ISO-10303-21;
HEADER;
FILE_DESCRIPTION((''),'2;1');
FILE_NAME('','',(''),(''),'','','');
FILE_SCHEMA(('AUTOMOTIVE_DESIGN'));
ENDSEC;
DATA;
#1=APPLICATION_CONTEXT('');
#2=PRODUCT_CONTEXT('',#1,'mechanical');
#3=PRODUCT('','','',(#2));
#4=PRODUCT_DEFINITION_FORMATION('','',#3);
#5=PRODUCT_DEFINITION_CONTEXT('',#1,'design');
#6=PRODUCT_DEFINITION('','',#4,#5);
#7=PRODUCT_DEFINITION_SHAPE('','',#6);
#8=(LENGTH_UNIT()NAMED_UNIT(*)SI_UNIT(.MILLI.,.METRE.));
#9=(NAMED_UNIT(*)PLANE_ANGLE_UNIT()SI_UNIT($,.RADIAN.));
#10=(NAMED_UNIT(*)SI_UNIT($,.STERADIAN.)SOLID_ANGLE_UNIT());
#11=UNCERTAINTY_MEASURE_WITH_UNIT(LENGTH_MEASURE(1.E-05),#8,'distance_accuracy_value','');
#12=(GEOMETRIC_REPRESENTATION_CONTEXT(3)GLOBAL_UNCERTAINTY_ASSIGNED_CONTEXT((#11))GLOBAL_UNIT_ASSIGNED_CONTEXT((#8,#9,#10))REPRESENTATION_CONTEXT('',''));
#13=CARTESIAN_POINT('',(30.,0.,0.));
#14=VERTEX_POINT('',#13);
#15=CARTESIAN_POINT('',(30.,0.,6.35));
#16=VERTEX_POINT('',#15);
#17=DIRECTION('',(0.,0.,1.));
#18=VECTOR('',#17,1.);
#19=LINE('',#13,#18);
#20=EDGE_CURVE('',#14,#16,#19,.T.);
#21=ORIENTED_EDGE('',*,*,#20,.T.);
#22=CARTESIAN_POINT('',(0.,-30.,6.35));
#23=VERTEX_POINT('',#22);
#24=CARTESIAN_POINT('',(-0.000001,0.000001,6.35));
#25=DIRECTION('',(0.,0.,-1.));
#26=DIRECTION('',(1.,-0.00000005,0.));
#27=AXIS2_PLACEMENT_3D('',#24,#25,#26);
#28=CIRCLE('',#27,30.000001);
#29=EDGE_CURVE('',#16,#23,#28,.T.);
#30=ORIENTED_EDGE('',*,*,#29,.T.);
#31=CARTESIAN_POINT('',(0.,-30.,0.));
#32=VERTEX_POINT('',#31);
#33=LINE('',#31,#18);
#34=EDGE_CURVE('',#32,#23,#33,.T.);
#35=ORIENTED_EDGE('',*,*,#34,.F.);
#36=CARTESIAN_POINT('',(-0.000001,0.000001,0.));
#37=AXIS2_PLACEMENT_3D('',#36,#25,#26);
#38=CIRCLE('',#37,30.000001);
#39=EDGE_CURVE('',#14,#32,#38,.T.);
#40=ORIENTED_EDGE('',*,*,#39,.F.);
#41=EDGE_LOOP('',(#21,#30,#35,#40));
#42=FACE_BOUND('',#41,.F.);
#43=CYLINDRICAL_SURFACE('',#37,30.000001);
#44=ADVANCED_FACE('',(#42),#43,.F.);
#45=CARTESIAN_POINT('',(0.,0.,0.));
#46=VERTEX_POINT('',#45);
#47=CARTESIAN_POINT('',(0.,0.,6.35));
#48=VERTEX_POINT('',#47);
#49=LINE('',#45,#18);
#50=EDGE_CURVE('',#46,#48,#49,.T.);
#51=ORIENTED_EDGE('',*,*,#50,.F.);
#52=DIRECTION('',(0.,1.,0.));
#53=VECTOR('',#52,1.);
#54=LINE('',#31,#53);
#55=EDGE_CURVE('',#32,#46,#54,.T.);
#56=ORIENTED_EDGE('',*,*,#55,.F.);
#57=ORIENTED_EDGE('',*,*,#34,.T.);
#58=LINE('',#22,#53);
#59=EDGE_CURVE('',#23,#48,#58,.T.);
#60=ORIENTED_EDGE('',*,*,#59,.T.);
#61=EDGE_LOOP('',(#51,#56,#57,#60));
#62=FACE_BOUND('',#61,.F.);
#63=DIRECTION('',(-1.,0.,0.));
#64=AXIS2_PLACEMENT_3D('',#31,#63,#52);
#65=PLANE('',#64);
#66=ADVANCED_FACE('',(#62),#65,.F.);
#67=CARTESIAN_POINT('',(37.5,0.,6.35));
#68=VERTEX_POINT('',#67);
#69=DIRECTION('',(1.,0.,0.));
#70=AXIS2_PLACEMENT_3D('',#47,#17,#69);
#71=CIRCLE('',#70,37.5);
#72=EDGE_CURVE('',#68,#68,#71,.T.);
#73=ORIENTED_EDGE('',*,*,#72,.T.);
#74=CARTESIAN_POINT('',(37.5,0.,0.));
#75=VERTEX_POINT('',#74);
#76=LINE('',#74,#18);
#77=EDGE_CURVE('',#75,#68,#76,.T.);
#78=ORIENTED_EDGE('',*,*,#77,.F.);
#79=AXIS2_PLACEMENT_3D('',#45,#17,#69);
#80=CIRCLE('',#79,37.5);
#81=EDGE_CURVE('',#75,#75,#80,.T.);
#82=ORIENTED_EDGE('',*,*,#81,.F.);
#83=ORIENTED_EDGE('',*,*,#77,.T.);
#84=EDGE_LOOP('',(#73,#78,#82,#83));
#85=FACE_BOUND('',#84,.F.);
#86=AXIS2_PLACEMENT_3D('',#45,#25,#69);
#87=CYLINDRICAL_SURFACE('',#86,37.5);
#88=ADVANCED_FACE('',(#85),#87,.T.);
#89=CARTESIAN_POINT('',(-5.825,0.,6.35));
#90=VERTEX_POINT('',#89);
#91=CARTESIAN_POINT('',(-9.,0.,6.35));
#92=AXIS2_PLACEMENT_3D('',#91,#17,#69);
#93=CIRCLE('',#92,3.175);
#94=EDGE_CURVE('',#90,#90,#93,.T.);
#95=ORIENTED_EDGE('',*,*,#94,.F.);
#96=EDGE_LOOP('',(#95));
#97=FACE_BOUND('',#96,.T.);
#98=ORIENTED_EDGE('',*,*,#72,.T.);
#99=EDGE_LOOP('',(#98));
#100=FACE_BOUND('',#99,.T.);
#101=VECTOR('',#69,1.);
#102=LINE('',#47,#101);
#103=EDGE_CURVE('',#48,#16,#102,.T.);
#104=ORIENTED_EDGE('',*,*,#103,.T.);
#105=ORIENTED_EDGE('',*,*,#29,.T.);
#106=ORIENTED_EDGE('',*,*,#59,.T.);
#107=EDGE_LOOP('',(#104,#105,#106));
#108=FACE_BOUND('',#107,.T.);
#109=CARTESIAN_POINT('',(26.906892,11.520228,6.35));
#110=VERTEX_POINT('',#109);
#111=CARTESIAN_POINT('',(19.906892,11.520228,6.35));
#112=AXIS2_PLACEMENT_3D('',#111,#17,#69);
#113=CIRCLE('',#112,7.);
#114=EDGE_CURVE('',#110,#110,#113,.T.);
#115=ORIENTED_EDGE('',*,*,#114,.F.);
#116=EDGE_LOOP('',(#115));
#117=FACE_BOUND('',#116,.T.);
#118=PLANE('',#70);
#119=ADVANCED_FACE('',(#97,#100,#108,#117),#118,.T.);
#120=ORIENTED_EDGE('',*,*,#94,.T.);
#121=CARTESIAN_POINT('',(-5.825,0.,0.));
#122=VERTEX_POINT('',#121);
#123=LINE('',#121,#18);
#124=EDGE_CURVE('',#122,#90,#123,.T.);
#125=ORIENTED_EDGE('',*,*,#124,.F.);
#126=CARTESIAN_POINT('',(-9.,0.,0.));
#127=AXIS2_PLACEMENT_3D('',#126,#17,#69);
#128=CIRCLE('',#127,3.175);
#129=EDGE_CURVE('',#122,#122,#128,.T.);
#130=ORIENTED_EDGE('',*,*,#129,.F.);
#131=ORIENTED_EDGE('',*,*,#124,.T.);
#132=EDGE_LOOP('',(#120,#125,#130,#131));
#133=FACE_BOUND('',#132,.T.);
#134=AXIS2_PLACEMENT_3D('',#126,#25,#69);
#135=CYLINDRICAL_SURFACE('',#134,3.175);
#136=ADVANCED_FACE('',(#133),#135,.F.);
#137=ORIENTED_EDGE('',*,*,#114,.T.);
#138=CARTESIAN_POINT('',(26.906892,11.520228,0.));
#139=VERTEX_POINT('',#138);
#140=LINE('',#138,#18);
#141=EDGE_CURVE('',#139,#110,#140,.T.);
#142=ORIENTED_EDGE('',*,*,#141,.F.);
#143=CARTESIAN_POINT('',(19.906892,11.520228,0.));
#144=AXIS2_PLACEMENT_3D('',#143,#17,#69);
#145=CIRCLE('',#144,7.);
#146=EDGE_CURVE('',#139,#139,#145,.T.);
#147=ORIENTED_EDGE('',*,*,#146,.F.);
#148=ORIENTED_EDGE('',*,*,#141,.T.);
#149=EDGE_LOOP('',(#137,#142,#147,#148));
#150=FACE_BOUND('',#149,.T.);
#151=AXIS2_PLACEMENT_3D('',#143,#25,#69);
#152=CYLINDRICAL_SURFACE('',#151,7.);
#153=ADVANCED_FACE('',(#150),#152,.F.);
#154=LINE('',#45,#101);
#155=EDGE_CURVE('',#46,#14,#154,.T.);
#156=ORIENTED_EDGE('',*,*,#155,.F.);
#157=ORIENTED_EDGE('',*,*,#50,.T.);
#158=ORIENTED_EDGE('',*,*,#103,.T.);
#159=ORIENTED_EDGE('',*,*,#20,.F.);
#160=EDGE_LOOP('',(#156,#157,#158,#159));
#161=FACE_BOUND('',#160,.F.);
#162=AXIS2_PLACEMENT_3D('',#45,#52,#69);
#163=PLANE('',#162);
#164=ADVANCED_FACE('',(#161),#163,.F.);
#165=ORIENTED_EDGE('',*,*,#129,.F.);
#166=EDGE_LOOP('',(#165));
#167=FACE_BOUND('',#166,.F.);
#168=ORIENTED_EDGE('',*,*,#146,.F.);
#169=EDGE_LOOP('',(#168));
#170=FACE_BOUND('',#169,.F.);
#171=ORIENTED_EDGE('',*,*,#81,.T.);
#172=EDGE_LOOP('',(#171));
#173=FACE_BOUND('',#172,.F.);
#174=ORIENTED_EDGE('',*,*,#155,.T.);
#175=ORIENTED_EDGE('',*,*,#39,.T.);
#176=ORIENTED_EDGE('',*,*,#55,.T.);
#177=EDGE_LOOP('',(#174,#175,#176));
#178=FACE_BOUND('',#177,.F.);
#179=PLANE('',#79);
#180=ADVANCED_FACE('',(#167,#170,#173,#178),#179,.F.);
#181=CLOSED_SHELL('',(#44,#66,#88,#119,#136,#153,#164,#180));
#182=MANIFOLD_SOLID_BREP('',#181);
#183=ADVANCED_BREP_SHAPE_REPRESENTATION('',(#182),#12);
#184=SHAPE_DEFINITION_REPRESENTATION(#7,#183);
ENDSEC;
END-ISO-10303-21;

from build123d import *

# Parameters (mm, degrees)
F0_R     = 37.5
F0_R_2   = 3.175
F0_R_3   = 7
F1_DEPTH = 6.35


with BuildPart() as f1:
    # F0 (on Top) → F1 (new body)
    with BuildSketch(Plane.XY):
        Circle(F0_R)
        with BuildLine():
            ThreePointArc((30, 0), (21.213203, -21.213203), (0, -30))
            Line((0, -30), (0, 0))
            Line((0, 0), (30, 0))
        make_face(mode=Mode.SUBTRACT)
        with Locations((-9, 0)):
            Circle(F0_R_2, mode=Mode.SUBTRACT)
        with Locations((19.906892, 11.520228)):
            Circle(F0_R_3, mode=Mode.SUBTRACT)
    extrude(amount=F1_DEPTH)


solid = f1.part
